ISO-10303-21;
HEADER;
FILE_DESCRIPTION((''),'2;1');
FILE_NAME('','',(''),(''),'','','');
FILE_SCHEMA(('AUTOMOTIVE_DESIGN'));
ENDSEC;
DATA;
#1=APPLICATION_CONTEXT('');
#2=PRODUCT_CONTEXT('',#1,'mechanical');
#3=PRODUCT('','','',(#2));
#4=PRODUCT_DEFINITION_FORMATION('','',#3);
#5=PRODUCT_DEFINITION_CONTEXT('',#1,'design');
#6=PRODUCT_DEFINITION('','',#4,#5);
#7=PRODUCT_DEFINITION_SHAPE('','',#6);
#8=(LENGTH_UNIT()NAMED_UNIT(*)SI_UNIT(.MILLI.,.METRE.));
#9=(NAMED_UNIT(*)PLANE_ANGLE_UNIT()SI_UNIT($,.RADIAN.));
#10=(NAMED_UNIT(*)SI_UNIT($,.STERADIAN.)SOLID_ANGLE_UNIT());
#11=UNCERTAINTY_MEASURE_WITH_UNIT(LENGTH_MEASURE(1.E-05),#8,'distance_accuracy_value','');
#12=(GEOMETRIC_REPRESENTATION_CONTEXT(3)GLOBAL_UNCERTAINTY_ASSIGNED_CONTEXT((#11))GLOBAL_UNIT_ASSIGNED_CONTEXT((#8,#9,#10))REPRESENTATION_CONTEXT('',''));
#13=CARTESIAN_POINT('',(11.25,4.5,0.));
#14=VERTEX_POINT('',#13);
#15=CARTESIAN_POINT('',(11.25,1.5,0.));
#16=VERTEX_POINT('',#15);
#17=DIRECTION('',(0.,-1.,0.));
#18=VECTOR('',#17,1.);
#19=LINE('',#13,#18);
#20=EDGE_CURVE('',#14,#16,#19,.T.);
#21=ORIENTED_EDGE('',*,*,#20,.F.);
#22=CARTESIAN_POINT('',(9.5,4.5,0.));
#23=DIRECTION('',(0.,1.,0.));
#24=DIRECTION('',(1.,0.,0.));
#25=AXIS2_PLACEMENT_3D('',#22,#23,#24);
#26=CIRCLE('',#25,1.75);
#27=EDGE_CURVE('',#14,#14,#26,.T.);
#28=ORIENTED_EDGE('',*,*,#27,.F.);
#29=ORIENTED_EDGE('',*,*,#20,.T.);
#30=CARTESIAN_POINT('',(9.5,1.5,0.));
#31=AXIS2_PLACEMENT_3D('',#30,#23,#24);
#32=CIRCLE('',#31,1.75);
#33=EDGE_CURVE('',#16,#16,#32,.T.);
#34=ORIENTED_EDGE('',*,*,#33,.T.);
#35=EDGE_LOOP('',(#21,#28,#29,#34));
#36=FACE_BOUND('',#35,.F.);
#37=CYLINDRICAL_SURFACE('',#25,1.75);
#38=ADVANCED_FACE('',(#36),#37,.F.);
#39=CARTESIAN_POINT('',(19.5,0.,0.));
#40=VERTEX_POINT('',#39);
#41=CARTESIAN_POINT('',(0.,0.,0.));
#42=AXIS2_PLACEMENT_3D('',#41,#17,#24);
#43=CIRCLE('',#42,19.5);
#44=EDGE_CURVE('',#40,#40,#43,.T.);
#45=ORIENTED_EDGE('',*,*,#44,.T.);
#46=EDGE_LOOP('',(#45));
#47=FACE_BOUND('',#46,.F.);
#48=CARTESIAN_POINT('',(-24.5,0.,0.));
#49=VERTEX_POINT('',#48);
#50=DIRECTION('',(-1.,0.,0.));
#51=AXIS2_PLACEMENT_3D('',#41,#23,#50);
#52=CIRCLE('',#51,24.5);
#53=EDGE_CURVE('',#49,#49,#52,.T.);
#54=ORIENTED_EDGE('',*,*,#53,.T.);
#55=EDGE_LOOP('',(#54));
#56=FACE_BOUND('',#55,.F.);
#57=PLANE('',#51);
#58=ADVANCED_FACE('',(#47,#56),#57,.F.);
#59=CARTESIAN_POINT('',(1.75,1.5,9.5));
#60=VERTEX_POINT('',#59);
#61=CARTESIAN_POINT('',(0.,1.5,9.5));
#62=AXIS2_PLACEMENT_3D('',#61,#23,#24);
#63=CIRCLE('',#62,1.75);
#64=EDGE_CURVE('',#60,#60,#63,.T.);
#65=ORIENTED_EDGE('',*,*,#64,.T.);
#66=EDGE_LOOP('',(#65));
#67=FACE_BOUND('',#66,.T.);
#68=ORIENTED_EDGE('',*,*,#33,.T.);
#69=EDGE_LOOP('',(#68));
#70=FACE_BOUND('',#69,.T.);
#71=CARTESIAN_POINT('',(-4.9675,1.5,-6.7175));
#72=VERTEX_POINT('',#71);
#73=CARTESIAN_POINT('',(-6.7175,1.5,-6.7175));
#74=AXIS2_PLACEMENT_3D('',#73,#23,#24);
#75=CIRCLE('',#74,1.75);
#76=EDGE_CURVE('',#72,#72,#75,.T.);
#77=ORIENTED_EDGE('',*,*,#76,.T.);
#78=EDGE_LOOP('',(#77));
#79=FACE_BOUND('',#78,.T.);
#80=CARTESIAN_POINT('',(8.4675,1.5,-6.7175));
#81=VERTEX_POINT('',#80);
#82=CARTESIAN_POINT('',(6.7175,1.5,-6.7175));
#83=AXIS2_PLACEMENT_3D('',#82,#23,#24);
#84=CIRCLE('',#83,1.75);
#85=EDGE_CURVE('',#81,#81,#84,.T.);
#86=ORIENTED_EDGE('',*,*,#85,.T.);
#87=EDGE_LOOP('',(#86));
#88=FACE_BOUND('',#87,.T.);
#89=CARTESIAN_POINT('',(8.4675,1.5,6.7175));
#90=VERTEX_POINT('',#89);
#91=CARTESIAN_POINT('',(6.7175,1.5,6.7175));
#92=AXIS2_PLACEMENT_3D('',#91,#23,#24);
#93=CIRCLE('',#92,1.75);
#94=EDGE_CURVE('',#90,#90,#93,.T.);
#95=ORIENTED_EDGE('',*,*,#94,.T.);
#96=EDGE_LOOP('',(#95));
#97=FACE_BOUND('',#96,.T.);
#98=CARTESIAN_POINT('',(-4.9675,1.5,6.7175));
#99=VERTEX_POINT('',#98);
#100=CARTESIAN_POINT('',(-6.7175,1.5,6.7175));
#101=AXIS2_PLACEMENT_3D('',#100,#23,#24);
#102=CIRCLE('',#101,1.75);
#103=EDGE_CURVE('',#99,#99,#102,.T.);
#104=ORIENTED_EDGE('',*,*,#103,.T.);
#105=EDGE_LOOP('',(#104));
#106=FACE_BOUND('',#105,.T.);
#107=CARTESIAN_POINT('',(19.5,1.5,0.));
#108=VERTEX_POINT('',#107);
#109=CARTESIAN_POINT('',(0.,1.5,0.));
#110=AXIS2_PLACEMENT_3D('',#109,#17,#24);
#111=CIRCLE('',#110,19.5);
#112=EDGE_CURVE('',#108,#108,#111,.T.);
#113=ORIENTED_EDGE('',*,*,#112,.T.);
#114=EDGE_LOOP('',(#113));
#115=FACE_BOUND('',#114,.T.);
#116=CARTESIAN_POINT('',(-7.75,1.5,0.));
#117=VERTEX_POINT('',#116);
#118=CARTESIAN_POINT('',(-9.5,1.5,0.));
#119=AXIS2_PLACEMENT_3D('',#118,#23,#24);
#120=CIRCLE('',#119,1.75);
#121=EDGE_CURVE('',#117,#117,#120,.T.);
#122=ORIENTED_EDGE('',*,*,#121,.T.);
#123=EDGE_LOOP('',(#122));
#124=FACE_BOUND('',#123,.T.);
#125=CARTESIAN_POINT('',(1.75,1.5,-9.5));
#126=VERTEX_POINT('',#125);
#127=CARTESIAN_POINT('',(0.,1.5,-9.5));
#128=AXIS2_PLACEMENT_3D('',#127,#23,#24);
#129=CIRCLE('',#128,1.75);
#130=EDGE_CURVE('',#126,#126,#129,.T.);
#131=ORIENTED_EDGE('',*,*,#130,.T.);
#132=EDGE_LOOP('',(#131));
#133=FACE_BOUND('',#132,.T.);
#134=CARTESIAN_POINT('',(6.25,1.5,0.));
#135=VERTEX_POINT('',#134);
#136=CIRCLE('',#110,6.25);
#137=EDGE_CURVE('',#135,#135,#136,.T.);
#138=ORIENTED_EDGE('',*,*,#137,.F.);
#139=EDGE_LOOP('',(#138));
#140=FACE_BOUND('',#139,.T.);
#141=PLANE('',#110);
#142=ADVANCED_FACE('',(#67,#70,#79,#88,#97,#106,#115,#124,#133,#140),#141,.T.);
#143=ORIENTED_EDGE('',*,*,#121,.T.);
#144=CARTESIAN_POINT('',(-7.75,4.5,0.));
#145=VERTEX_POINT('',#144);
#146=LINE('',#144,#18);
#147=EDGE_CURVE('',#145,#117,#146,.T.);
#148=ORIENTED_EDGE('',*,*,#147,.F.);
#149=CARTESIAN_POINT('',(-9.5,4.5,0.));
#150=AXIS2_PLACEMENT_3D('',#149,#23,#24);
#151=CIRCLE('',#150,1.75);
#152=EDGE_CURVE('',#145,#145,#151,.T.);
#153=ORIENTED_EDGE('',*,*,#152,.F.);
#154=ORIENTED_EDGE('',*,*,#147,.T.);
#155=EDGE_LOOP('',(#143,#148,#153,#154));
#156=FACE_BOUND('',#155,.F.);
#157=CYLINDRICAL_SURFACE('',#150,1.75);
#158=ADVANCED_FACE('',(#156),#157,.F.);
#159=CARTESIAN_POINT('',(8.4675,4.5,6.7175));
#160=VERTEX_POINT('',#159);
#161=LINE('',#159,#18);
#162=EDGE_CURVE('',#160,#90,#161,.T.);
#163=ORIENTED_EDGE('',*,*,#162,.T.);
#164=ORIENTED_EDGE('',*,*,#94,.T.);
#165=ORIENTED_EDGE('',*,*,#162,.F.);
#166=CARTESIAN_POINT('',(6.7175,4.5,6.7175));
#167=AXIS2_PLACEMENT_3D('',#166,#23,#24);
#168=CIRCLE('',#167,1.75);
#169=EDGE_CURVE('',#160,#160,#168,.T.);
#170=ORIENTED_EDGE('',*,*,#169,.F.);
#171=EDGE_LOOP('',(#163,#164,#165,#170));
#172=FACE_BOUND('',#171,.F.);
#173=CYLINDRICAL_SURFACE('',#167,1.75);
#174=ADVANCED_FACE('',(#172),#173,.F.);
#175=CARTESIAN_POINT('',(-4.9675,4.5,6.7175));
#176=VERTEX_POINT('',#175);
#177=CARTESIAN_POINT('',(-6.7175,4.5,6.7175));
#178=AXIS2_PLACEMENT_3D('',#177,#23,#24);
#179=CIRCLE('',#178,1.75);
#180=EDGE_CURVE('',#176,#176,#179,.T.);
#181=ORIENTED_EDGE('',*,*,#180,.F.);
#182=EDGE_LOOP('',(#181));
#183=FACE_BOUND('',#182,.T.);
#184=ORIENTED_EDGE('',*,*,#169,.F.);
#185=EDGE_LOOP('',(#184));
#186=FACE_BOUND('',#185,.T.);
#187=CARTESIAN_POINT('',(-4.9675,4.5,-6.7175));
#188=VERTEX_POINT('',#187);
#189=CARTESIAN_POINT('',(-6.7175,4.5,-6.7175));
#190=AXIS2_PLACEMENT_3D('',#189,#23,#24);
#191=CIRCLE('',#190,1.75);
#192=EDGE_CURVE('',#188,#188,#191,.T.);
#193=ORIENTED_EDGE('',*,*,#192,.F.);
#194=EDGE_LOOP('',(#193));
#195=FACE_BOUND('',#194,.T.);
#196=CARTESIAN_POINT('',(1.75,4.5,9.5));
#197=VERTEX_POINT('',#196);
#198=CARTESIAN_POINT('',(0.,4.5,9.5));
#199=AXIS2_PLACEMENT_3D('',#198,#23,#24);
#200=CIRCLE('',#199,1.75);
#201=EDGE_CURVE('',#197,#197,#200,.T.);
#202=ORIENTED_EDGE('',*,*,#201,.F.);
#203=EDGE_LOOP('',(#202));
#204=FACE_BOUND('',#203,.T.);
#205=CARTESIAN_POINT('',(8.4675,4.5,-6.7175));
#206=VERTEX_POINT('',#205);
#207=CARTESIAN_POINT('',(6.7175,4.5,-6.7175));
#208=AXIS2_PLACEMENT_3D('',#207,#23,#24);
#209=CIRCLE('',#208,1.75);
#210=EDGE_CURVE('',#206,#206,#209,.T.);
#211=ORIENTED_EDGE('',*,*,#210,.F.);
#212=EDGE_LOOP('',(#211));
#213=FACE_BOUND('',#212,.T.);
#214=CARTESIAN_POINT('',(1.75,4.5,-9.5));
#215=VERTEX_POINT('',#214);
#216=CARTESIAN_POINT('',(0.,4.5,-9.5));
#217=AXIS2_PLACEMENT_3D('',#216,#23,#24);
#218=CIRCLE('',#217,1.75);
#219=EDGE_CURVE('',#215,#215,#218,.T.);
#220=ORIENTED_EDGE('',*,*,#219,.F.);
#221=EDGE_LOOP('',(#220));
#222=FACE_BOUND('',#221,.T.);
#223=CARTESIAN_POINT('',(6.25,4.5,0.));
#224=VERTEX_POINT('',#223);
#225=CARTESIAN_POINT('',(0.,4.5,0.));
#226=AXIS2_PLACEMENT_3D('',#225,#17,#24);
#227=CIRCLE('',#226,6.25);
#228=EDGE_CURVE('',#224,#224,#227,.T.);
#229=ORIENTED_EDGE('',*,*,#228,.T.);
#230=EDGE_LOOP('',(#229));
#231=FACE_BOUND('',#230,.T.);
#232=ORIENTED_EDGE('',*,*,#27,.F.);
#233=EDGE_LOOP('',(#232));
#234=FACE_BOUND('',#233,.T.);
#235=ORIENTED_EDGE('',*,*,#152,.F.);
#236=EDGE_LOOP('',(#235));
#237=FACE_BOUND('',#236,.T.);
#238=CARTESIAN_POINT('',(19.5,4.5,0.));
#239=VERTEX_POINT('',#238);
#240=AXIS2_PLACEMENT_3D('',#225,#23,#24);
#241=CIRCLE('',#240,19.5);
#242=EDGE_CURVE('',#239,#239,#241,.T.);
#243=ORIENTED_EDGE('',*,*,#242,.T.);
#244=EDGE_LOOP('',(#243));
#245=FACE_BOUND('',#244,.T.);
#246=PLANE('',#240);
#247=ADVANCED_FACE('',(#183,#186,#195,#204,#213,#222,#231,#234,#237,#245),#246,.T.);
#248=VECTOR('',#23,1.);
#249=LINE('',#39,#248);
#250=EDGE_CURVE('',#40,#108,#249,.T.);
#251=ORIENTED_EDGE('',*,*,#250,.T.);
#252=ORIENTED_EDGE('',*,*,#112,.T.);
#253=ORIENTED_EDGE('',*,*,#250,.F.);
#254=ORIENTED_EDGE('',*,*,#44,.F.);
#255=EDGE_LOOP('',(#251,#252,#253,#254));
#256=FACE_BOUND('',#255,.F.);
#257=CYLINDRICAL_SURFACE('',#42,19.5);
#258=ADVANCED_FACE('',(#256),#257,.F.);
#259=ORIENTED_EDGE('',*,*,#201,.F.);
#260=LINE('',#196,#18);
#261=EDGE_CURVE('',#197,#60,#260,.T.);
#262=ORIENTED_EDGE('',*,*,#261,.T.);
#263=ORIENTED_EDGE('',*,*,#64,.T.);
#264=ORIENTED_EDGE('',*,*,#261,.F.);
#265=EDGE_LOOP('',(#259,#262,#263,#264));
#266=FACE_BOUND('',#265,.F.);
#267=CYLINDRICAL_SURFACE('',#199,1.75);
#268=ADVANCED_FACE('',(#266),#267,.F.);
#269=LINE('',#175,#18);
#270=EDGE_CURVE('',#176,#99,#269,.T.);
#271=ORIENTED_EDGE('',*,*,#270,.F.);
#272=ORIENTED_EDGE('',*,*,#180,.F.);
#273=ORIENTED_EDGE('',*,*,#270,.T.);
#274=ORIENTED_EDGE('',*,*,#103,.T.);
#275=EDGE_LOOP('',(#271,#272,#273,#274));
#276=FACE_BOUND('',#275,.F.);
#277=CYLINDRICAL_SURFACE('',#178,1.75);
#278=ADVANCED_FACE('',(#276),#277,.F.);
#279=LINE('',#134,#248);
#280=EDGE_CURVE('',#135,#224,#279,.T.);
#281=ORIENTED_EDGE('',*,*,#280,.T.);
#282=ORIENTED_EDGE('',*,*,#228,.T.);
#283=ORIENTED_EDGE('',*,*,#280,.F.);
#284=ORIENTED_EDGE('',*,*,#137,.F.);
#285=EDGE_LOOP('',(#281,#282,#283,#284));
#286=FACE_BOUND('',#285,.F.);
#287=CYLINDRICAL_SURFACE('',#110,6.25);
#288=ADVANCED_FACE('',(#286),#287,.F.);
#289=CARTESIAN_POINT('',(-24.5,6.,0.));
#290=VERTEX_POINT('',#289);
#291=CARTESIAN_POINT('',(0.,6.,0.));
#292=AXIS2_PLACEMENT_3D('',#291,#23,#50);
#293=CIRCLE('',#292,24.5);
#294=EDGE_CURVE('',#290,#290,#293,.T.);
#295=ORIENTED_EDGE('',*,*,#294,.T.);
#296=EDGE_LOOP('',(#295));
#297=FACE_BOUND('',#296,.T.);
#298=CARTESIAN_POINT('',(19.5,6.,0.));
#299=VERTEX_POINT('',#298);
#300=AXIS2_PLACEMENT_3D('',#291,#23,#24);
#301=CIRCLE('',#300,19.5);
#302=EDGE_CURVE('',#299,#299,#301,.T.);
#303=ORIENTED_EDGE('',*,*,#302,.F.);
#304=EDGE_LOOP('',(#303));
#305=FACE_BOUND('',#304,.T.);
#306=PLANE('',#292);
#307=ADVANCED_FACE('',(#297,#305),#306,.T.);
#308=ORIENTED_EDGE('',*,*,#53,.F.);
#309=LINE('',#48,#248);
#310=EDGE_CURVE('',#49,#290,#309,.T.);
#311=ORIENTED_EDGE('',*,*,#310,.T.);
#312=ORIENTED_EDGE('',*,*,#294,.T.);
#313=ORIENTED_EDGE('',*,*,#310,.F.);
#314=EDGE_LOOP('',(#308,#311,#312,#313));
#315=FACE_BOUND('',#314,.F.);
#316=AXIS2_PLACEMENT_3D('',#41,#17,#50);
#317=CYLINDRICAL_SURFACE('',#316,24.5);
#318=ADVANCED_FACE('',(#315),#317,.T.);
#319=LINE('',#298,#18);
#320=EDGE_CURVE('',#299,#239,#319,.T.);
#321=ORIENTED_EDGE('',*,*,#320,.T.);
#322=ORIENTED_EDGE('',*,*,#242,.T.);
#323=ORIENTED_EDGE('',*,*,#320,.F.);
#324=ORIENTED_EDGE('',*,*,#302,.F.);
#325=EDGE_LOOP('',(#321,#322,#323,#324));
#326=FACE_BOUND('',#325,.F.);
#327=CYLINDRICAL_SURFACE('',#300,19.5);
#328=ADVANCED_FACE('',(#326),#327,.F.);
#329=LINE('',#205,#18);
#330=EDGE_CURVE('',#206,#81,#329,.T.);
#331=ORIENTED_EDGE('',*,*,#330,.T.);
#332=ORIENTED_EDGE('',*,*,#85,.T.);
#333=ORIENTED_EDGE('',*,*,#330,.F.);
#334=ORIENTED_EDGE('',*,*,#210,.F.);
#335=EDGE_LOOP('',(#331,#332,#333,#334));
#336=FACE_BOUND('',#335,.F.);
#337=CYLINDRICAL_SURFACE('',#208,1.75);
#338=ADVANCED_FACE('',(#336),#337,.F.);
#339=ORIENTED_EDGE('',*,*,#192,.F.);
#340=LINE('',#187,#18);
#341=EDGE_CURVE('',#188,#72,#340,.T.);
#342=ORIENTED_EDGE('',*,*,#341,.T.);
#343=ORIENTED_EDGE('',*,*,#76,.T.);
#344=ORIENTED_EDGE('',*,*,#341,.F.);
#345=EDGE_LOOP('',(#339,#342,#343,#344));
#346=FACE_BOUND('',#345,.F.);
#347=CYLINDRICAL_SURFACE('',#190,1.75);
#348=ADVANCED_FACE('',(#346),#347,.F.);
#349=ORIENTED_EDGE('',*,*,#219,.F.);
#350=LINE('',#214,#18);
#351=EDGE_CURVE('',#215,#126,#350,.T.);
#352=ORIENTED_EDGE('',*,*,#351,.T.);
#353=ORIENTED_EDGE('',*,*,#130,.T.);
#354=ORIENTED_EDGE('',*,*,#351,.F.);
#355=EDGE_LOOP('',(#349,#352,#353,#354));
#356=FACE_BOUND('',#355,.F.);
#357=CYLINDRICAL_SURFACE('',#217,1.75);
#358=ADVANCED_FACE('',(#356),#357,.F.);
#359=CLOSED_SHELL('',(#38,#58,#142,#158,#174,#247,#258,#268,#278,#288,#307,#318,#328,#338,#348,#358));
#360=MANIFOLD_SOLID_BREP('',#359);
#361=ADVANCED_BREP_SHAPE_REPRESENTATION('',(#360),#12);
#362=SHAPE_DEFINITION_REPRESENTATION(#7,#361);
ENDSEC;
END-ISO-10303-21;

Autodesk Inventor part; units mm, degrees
ref_plane "YZ Plane" through (0, 0, 0) normal (1, 0, 0) x (0, 1, 0)
ref_plane "XZ Plane" through (0, 0, 0) normal (0, 1, 0) x (-1, 0, 0)
ref_plane "XY Plane" through (0, 0, 0) normal (0, 0, 1) x (1, 0, 0)
sketch "WheelSketch" plane through (0, 0, 0) normal (0, 1, 0) x (-1, 0, 0)
  circle A0 centre (0, 0) radius 24.5
  dimension "EncoderWheel_Tyre_Diameter" = 49
extrude "Wheel" add sketch "WheelSketch" along normal blind 6
sketch "Sketch2" plane through (0, 6, 0) normal (0, 1, 0) x (1, 0, 0)
  circle A0 centre (0, 0) radius 24.5 projected
  circle A1 centre (0, 0) radius 19.5
  dimension "EncoderWheel_Tyre_Thickness" = 5
extrude "Extrusion2" cut sketch "Sketch2" against normal blind 1.5 contours A1
sketch "Sketch3" plane through (0, 0, 0) normal (0, -1, 0) x (1, 0, 0)
  circle A0 centre (0, 0) radius 24.5 projected
  circle A1 centre (0, 0) radius 19.5
  dimension "d7" = 5
extrude "Extrusion3" cut sketch "Sketch3" against normal blind 1.5 contours A1
sketch "InnerHoleSketch" plane through (0, 1.5, 0) normal (0, -1, 0) x (1, 0, 0)
  circle A0 centre (0, 0) radius 19.5 projected
  circle A1 centre (0, 0) radius 6.25
  dimension "EncoderWheel_InnerHole_Diameter" = 12.5
extrude "InnerHole" cut sketch "InnerHoleSketch" against normal up to next contours A1
sketch "FasteningHoleSketch" plane through (0, 4.5, 0) normal (0, 1, 0) x (1, 0, 0)
  circle A0 centre (0, 0) radius 6.25 projected
  circle A1 centre (0, 0) radius 19.5 projected
  circle A2 centre (0, 9.5) radius 1.75
  line L0 (0, 0) -> (0, 29.2255) construction
  circle A3 centre (-6.7175, 6.7175) radius 1.75
  circle A4 centre (-9.5, 0) radius 1.75
  circle A5 centre (-6.7175, -6.7175) radius 1.75
  circle A6 centre (0, -9.5) radius 1.75
  circle A7 centre (6.7175, -6.7175) radius 1.75
  circle A8 centre (9.5, 0) radius 1.75
  circle A9 centre (6.7175, 6.7175) radius 1.75
  dimension "EncoderWheel_FasteningHole_Diameter" = 3.5
  dimension "EncoderWheel_FasteningHole_DistanceToCenter" = 9.5
  dimension "d17" = 360
extrude "FasteningHole" cut sketch "FasteningHoleSketch" against normal up to next contours A2 | A3 | A4 | A5 | A6 | A7 | A8 | A9
equation "\"d7\" = EncoderWheel_Tyre_Thickness"
equation "\"EncoderWheel_InnerDiameter\" = EncoderWheel_Tyre_Diameter - 2 * EncoderWheel_Tyre_Thickness"
properties part number "EncoderWheel" material "Rubber, Silicone"
